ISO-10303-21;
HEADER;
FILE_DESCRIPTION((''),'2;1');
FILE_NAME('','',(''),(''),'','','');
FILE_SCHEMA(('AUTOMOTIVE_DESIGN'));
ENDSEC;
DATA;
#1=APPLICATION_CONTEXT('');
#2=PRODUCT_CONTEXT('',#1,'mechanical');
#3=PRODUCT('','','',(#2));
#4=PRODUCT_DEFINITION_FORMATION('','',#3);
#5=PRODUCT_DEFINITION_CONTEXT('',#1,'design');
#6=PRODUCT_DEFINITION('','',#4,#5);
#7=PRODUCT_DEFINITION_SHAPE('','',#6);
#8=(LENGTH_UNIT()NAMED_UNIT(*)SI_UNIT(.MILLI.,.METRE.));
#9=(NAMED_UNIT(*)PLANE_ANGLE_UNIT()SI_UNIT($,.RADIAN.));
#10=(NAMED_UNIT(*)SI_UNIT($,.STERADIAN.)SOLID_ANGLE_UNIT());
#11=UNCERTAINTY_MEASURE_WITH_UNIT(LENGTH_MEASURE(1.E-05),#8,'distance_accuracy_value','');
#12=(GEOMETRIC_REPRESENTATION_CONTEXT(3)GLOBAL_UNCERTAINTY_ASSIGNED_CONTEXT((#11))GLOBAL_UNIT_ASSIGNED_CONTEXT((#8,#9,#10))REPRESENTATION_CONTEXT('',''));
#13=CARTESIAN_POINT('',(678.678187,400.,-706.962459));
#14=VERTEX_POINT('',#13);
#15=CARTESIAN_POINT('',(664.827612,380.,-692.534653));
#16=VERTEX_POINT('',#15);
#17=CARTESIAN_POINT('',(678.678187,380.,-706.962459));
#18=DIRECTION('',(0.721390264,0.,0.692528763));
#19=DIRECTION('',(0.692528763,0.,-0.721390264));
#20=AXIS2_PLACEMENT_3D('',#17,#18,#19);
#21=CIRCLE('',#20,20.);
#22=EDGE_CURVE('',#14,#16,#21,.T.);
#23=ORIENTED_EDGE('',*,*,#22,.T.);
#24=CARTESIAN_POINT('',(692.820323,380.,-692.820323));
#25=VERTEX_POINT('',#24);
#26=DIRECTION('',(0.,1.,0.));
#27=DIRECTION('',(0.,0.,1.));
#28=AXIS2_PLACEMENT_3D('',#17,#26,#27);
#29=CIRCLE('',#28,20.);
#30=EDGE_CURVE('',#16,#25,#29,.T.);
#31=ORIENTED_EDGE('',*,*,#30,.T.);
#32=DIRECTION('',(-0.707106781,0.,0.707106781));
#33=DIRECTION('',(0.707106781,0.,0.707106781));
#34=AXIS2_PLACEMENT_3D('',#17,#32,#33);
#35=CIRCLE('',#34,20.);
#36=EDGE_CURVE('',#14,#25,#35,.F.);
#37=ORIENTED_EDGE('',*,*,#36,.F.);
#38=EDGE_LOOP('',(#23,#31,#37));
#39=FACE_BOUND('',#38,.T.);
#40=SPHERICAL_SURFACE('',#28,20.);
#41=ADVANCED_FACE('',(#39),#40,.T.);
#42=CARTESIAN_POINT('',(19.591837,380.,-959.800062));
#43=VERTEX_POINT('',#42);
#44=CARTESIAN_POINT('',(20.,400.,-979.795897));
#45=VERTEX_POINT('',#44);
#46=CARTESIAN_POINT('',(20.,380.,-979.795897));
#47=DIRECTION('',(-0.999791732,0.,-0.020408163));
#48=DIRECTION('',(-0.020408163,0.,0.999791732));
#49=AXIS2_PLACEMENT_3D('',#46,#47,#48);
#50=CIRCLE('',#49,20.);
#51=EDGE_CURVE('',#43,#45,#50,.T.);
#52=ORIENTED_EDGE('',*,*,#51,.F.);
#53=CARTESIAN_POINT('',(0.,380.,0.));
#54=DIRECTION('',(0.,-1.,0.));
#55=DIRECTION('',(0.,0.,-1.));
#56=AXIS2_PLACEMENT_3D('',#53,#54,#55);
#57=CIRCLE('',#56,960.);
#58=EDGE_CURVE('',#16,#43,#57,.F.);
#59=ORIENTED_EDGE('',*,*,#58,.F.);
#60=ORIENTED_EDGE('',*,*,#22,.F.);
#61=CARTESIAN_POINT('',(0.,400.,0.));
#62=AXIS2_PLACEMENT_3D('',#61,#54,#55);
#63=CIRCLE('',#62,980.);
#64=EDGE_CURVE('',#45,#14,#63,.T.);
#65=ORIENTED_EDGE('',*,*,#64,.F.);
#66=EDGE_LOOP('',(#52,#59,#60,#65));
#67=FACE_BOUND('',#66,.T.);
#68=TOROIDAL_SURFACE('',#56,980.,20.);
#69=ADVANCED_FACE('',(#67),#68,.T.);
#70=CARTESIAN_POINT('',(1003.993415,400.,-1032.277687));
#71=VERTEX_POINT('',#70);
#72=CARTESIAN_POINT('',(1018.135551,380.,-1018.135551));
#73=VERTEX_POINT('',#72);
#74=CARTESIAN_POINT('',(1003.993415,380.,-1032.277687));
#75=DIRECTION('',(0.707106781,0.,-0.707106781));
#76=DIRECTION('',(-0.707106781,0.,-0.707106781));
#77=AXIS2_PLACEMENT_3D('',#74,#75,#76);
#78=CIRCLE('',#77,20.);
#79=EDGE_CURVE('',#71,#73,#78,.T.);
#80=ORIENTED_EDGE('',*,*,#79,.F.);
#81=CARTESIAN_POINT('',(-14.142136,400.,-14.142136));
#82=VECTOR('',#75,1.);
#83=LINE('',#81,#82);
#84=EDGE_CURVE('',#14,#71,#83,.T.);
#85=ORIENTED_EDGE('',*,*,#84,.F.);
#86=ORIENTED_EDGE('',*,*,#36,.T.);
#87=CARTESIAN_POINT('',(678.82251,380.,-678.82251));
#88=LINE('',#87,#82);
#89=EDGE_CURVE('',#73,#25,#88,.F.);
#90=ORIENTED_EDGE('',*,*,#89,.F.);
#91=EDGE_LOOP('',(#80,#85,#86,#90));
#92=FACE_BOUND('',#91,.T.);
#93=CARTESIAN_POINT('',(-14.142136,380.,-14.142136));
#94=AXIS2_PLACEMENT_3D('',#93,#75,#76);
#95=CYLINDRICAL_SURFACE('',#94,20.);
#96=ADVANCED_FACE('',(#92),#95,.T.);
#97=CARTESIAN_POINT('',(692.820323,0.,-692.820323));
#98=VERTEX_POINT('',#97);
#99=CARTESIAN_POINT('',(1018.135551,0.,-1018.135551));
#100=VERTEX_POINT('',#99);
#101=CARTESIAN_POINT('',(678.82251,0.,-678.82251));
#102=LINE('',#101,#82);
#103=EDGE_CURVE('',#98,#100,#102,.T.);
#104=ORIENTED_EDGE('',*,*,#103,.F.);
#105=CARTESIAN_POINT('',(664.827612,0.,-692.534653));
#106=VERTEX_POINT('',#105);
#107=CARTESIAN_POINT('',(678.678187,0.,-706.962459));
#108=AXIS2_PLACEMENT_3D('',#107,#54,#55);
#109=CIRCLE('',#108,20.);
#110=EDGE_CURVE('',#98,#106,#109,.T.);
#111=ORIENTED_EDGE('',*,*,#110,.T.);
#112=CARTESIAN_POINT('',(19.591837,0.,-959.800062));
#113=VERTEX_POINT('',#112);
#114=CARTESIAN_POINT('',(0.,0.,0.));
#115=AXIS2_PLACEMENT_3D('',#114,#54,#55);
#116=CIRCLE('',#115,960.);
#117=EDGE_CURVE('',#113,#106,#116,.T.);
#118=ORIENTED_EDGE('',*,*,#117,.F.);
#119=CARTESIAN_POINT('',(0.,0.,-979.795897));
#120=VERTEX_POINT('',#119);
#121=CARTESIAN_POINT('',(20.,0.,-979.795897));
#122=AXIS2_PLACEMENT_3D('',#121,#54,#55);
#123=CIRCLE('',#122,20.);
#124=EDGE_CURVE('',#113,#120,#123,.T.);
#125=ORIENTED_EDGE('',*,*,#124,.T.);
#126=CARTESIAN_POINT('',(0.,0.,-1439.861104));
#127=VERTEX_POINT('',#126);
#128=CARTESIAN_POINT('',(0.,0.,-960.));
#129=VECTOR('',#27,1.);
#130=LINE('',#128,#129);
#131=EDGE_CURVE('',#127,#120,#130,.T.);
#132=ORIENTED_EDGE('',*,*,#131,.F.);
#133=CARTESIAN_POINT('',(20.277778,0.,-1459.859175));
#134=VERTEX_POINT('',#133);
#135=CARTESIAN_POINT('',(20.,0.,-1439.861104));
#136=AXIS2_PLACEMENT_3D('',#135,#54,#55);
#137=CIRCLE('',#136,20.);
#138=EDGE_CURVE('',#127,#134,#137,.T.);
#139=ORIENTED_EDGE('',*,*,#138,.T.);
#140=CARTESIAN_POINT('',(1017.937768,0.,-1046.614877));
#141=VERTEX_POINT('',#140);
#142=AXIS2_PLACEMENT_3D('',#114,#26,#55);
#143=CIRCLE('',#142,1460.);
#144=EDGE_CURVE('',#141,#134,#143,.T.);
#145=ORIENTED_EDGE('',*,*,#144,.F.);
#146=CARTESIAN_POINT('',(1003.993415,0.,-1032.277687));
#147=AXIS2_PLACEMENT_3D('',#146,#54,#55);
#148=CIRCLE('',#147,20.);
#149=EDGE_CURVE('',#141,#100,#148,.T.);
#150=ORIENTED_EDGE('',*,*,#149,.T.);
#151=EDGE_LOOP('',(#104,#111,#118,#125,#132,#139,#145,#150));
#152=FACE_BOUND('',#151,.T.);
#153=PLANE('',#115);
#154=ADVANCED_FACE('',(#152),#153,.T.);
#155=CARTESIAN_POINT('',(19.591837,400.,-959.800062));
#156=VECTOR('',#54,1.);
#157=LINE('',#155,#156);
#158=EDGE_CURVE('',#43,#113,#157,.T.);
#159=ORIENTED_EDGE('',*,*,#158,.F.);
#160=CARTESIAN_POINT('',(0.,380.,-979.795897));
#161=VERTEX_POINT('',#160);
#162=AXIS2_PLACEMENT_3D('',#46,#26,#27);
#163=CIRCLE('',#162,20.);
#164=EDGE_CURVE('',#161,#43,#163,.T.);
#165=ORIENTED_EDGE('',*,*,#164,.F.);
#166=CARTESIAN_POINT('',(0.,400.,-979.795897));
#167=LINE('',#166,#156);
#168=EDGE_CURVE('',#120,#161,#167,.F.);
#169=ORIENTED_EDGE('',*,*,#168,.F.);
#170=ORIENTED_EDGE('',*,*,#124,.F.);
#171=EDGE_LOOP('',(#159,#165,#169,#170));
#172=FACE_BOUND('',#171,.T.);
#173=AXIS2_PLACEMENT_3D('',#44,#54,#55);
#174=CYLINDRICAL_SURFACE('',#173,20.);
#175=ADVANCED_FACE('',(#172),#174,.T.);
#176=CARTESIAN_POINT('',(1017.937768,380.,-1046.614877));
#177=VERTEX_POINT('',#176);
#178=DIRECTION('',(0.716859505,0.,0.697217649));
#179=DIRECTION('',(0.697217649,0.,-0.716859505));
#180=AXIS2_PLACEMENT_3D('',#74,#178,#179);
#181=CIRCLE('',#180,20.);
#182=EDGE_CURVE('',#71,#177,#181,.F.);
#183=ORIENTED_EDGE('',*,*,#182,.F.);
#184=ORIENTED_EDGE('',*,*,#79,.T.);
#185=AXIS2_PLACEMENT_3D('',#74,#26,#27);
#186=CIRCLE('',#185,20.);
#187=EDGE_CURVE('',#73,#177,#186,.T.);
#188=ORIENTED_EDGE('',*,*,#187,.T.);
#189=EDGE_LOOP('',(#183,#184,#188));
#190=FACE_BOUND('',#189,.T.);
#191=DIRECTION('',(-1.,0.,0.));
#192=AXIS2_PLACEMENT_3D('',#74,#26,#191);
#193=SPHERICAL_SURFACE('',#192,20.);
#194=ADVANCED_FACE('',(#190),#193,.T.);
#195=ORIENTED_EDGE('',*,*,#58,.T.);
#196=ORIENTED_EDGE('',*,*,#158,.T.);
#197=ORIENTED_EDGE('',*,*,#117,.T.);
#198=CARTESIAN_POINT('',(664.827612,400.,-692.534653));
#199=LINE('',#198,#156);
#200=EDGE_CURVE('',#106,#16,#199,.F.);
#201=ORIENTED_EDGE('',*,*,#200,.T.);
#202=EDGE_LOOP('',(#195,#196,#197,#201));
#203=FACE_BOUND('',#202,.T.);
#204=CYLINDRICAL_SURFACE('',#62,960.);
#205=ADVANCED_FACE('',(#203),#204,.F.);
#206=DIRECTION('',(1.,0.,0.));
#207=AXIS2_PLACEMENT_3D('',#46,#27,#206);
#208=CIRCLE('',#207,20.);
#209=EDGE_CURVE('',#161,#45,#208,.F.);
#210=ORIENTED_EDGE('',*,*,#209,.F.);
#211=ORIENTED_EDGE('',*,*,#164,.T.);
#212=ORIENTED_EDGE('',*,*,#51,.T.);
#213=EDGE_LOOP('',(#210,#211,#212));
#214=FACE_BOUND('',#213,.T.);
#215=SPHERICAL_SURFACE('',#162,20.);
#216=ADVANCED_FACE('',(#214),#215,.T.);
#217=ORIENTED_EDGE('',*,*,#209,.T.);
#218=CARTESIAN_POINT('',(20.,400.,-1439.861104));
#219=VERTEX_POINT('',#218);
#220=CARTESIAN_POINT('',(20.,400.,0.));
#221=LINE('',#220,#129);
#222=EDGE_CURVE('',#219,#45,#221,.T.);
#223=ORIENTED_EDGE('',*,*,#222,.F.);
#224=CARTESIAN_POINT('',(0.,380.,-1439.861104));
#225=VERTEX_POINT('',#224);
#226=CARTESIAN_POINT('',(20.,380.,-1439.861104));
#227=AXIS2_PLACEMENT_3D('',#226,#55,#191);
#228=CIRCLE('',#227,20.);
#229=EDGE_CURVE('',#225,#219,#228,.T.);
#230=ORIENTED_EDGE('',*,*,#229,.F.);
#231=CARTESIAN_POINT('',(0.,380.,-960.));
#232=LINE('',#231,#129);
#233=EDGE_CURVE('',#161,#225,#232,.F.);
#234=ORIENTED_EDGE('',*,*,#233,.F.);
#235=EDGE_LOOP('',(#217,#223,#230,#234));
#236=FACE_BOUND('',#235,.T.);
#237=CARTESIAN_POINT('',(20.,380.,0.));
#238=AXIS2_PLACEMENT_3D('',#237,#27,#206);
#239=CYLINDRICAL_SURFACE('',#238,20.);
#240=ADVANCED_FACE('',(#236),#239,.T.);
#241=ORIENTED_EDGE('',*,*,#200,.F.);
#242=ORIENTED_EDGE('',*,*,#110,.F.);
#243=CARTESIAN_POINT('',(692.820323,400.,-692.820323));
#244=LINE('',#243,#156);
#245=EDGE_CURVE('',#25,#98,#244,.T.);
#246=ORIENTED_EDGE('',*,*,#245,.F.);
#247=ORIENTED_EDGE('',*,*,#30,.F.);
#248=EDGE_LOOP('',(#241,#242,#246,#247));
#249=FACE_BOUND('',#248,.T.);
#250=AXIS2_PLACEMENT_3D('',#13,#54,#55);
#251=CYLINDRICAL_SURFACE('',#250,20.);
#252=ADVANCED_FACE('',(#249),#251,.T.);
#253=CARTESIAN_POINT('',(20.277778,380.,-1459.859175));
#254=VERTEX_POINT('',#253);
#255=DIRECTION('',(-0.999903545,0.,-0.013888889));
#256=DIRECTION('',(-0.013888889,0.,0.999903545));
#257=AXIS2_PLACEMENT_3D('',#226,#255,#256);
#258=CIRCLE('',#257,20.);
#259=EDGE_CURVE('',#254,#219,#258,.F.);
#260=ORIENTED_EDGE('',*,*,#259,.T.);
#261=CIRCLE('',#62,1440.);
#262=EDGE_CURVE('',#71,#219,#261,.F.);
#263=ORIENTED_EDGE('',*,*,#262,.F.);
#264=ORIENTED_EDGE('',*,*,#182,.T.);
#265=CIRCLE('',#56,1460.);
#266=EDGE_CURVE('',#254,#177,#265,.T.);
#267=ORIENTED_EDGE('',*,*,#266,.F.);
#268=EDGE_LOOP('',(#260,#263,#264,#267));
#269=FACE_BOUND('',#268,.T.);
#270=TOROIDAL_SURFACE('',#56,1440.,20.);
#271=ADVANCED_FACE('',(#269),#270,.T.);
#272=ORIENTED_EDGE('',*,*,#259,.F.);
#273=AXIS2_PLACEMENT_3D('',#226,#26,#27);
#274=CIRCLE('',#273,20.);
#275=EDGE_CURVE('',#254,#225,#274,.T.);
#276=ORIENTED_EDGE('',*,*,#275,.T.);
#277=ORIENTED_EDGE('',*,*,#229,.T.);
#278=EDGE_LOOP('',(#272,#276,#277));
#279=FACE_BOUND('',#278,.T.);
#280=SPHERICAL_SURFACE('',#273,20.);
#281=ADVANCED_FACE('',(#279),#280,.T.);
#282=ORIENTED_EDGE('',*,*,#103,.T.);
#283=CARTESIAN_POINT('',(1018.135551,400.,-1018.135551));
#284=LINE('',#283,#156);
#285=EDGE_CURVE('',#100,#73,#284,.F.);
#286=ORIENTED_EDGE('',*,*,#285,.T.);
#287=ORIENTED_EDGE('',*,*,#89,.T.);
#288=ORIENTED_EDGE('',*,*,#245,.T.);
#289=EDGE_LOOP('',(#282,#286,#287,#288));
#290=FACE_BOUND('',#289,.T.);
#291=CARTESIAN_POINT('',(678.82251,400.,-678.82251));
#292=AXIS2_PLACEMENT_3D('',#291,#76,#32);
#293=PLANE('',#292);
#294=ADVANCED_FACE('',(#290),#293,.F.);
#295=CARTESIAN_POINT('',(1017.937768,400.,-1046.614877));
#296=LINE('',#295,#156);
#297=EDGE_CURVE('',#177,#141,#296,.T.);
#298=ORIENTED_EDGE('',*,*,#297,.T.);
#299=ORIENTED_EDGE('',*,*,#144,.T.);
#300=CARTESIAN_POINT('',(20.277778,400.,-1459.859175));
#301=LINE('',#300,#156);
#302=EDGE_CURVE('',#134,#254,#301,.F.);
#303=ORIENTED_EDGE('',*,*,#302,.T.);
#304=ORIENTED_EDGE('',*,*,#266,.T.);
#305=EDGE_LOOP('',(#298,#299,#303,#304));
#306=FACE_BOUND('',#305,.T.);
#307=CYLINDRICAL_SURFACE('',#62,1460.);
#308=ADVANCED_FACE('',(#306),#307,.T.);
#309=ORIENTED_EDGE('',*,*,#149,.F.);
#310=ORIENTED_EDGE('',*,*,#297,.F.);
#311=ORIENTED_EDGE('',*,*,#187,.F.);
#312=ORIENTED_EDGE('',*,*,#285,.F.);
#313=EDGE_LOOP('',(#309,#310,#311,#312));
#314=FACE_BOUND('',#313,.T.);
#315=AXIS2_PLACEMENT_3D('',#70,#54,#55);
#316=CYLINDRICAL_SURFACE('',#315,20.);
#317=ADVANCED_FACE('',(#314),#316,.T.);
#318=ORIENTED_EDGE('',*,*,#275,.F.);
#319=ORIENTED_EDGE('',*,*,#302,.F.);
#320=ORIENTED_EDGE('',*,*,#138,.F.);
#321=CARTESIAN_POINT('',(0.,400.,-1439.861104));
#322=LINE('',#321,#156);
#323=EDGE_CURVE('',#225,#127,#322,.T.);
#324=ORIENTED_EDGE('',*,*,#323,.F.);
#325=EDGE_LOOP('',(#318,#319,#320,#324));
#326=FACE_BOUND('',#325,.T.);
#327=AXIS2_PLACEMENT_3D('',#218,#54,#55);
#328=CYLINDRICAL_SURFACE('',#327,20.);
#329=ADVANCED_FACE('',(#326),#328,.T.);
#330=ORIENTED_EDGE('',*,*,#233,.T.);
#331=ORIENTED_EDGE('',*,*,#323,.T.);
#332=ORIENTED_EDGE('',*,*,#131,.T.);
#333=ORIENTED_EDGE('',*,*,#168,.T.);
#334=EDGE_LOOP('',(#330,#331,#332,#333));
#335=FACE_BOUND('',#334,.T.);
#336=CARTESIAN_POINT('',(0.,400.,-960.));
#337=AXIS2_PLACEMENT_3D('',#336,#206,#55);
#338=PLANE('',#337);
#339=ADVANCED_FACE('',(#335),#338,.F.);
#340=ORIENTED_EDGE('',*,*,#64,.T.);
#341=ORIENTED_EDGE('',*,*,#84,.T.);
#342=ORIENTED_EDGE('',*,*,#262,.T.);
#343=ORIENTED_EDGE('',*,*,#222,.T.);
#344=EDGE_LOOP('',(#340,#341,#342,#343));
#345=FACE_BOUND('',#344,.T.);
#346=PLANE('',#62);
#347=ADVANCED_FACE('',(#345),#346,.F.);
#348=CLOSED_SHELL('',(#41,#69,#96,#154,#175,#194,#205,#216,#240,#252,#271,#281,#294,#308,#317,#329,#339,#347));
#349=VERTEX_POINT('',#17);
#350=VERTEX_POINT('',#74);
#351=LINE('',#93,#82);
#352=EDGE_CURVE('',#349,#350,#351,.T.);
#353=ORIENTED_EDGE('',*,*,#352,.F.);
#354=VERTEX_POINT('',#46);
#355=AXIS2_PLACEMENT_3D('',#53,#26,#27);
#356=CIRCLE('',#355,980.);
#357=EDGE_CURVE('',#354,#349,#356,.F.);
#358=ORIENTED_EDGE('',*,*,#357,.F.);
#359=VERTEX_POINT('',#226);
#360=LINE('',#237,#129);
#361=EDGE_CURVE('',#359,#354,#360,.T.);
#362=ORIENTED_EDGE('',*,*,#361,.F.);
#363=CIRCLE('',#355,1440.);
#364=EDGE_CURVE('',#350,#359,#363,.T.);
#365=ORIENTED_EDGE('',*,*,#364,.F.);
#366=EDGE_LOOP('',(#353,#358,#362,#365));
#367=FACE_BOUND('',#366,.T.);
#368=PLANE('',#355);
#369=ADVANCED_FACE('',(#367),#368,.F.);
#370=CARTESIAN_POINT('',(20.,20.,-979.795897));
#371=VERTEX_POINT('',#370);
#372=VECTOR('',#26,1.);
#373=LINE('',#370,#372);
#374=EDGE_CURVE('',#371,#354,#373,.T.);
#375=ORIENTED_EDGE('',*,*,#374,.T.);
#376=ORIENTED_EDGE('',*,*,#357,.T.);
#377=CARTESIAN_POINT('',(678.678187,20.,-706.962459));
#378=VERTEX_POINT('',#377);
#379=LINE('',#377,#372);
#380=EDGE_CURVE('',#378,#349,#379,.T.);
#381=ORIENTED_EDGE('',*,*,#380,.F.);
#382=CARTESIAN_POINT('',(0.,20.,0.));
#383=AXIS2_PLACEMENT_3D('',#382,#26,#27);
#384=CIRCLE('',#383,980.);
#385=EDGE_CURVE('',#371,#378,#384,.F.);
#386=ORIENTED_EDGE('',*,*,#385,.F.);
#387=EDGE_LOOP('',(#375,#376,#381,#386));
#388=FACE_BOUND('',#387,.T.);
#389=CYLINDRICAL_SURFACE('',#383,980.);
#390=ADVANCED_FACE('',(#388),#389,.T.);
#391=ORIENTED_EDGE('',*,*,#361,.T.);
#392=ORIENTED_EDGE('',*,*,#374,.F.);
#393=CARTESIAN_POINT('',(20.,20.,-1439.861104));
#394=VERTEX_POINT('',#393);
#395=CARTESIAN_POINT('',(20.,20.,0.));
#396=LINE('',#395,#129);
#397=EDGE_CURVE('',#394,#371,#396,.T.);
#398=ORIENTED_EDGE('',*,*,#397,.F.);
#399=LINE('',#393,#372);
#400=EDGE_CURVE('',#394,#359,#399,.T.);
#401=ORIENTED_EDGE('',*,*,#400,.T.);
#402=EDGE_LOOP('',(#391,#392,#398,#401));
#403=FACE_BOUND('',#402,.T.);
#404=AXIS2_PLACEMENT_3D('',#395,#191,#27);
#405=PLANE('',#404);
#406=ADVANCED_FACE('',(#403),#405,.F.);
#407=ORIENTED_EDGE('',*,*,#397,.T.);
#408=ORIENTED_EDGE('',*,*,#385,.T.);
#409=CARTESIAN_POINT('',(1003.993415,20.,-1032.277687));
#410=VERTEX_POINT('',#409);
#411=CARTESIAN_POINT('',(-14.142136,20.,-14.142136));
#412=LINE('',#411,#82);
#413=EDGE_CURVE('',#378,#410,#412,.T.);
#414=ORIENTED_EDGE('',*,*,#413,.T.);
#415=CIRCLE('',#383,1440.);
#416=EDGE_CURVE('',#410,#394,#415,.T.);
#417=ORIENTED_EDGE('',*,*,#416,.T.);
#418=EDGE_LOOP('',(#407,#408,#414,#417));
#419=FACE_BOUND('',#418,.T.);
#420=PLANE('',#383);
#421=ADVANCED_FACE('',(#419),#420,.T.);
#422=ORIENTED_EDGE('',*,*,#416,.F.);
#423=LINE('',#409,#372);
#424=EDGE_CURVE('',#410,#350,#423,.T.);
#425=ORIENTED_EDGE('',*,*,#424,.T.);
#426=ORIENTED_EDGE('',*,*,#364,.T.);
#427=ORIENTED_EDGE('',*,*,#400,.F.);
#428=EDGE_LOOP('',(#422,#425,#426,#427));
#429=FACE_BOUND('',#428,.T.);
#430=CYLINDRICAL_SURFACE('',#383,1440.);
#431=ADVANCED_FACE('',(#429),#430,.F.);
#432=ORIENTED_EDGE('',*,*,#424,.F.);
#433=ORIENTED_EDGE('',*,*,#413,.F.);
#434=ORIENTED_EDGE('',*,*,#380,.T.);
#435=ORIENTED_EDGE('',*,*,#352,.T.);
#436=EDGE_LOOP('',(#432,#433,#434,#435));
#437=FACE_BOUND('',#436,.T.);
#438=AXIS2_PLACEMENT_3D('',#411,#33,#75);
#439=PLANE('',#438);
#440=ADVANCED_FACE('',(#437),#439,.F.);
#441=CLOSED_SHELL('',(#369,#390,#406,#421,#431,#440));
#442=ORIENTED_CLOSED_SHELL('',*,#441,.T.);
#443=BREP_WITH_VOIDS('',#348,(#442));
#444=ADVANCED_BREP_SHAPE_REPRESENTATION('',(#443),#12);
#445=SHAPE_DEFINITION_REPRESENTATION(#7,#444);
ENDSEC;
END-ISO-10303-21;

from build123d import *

# Parameters (mm, degrees)
BOSS_EXTRUDE1_DEPTH = 400
FILLET1_R           = 20
CUT_EXTRUDE1_START  = -20
CUT_EXTRUDE1_DEPTH  = 360


with BuildPart() as part:
    # Sketch1 → Boss-Extrude1 (new body)
    with BuildSketch(Plane(origin=(0, 0, 0), x_dir=(1, 0, 0), z_dir=(0, 1, 0))):
        with BuildLine():
            Line((0, 960), (0, 1460))
            ThreePointArc((0, 1460), (558.717811253, 1348.864117466), (1032.375900532, 1032.375900532))
            Line((1032.375900532, 1032.375900532), (678.822509939, 678.822509939))
            ThreePointArc((678.822509939, 678.822509939), (367.37609507, 886.924351211), (0, 960))
        make_face()
    extrude(amount=BOSS_EXTRUDE1_DEPTH)

    # Fillet1
    fillet1_edges = [part.edges().sort_by_distance(p)[0] for p in [
        (367.37609507, 400, -886.924351211),
        (855.599205236, 400, -855.599205236),
        (558.717811253, 400, -1348.864117466),
        (1032.375900532, 200, -1032.375900532),
        (678.822509939, 200, -678.822509939),
        (0, 200, -960),
        (0, 200, -1460),
        (0, 400, -1210),
    ]]
    fillet(fillet1_edges, radius=FILLET1_R)

    # Sketch4 → Cut-Extrude1 (cut)
    with BuildSketch(Plane(origin=(0, 400, 0), x_dir=(1, 0, 0), z_dir=(0, 1, 0)).offset(CUT_EXTRUDE1_START)):
        with BuildLine():
            ThreePointArc((20, 979.795897113), (375.029763718, 905.401941861), (678.678187404, 706.962458651))
            Line((678.678187404, 706.962458651), (1003.993415273, 1032.277686521))
            ThreePointArc((1003.993415273, 1032.277686521), (551.064142606, 1330.386526816), (20, 1439.861104413))
            Line((20, 1439.861104413), (20, 979.795897113))
        make_face()
    extrude(amount=-CUT_EXTRUDE1_DEPTH, mode=Mode.SUBTRACT)


solid = part.part
